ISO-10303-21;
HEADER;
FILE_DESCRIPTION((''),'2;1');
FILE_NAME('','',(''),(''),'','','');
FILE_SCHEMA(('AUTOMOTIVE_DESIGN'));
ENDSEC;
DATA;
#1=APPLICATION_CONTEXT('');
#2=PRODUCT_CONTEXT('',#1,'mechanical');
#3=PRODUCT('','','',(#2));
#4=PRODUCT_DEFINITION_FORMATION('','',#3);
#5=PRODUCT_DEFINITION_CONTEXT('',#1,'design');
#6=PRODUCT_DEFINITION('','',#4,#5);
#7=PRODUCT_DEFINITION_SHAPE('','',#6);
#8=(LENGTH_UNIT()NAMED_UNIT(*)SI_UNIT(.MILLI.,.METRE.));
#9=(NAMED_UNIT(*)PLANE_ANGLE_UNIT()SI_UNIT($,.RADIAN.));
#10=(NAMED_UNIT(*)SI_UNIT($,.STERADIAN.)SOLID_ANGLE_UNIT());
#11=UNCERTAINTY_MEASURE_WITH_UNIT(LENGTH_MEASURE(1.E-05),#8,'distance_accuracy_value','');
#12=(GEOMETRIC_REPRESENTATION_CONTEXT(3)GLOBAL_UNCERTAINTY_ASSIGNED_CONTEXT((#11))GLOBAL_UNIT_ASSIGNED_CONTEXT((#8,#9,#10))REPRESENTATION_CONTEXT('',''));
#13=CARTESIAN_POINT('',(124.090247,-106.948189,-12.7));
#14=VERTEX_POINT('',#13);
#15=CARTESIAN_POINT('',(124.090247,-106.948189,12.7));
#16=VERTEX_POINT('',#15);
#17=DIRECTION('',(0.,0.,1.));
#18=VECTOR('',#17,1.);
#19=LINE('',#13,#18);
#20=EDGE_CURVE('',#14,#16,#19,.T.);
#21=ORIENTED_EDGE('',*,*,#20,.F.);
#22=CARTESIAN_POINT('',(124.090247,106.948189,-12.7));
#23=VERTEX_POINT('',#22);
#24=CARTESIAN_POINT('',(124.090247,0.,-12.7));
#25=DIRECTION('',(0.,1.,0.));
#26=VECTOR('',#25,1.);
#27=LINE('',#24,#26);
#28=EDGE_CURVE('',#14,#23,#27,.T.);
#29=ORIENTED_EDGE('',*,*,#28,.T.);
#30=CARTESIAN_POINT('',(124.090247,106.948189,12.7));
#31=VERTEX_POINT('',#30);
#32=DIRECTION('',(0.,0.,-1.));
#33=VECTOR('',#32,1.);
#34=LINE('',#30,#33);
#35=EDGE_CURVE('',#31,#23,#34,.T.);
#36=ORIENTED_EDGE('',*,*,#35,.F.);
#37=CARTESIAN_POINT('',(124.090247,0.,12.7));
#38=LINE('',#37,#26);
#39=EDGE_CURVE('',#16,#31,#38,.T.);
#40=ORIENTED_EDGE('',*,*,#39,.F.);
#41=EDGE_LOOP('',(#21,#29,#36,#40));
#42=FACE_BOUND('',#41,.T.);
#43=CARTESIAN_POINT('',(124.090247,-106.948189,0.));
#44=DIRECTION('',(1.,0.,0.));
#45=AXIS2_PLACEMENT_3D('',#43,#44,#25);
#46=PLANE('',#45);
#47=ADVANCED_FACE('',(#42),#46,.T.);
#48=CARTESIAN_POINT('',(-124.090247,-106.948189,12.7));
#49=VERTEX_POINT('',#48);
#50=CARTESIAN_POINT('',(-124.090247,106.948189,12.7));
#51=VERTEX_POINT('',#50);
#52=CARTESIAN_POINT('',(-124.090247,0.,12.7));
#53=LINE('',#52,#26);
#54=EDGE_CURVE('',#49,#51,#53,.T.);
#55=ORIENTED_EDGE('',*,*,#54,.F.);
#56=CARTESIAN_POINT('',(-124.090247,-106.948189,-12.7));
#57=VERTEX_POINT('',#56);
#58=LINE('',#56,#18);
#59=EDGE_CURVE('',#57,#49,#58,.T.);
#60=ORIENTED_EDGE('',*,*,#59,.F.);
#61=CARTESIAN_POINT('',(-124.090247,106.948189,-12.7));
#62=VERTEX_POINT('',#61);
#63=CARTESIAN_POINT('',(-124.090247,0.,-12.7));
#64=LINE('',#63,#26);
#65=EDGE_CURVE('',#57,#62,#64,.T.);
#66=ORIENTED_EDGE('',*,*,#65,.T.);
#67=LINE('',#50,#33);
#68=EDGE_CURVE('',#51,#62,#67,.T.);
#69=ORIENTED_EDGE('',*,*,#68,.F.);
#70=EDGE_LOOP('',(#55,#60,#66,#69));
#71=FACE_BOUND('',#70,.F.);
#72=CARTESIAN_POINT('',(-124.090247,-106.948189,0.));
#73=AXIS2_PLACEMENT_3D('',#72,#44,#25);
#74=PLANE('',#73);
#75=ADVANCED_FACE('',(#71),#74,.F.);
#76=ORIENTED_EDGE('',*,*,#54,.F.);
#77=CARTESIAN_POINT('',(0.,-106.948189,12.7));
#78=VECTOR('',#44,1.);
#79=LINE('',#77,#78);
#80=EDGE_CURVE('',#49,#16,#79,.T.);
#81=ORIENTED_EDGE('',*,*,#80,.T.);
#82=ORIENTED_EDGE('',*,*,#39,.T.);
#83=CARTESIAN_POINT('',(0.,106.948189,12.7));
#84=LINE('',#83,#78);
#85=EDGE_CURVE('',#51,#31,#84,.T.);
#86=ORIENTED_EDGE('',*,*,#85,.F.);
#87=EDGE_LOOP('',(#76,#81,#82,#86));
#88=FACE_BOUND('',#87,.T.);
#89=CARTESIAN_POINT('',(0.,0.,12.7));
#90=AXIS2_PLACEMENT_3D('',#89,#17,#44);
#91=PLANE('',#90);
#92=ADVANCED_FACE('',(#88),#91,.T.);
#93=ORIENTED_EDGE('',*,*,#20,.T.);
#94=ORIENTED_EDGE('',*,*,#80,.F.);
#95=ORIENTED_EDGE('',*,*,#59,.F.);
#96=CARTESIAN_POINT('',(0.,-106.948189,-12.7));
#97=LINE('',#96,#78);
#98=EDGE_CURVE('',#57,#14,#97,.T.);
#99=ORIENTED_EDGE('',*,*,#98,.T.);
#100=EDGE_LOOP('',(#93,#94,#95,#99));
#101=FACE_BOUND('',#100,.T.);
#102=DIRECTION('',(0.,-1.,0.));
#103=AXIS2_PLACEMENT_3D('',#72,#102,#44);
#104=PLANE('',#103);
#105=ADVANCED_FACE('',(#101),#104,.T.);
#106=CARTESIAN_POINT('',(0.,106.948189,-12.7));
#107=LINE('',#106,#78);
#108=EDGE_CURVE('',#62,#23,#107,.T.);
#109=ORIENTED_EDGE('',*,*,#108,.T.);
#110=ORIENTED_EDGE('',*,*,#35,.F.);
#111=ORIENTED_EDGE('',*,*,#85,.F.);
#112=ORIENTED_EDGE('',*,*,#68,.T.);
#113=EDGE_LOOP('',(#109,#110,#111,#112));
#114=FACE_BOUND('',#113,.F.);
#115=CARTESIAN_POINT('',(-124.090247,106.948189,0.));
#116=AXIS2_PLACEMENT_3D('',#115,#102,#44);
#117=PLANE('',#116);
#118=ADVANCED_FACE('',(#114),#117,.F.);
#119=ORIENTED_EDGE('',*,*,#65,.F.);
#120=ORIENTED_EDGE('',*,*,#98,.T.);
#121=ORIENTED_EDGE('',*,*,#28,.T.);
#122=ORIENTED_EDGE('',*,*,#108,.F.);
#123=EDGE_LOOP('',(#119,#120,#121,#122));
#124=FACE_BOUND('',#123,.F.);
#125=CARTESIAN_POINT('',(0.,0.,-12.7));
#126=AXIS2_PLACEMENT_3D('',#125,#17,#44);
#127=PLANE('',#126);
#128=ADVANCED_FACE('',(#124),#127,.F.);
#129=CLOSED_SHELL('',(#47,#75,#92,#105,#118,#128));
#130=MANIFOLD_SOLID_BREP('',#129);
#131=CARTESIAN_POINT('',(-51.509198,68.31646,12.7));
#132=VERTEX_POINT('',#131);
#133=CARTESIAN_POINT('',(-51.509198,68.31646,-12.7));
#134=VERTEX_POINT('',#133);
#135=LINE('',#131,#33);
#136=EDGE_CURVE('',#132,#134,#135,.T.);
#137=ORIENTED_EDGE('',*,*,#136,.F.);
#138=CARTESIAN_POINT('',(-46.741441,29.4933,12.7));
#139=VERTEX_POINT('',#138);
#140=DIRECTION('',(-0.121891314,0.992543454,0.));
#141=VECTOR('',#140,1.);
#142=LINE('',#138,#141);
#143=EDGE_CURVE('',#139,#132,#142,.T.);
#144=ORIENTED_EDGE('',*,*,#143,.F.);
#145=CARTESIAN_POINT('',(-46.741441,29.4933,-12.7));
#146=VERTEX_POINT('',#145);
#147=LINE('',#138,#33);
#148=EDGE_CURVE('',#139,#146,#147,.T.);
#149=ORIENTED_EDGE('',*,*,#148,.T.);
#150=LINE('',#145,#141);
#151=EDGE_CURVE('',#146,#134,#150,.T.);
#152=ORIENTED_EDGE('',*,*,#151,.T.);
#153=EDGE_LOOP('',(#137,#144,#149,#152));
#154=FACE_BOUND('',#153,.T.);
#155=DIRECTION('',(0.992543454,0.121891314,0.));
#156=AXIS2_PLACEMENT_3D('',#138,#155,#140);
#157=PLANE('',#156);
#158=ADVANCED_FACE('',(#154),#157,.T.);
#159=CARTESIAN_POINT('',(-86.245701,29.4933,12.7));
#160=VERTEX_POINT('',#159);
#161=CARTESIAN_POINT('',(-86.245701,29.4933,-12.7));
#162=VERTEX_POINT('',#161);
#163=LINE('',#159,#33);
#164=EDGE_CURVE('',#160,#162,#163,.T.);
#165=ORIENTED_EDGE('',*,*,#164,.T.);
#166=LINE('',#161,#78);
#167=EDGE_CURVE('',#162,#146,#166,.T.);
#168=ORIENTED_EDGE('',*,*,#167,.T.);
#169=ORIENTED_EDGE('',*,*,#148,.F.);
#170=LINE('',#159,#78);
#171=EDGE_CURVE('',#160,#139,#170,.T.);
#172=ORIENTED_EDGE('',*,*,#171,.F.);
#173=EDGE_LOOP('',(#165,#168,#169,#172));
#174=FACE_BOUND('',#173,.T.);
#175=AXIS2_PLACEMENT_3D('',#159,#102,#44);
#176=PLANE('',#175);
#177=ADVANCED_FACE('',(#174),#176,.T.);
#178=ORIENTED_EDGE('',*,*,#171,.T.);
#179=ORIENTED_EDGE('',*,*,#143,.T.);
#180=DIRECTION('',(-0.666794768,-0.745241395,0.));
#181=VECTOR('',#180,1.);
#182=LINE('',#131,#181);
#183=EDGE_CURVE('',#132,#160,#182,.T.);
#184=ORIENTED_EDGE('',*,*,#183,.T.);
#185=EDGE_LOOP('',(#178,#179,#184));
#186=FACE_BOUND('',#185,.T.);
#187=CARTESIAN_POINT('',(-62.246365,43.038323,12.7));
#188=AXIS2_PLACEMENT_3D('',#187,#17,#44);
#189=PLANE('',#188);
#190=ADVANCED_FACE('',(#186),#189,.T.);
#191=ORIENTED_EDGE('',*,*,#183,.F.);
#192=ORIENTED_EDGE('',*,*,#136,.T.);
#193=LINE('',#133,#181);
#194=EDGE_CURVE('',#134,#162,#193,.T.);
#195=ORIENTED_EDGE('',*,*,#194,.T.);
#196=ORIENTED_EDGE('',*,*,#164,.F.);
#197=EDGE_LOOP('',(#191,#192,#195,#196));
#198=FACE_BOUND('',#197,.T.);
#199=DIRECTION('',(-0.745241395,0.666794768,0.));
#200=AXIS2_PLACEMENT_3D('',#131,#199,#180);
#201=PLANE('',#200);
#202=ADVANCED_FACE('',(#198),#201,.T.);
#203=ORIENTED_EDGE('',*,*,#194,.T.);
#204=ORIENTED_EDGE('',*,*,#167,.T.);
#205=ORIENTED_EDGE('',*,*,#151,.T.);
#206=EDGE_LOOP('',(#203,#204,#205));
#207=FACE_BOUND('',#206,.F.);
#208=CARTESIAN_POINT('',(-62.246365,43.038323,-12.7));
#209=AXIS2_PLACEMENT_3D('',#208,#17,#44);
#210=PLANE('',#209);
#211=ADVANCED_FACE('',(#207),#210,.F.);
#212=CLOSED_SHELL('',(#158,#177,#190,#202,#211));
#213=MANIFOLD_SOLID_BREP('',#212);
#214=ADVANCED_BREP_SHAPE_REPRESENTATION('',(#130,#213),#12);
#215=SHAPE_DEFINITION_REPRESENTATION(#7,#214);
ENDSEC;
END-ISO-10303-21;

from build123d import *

# Parameters (mm, degrees)
F0_W     = 248.180494
F0_H     = 213.896378
F1_DEPTH = 12.7
F3_DEPTH = 25.4


with BuildPart() as f1:
    # F0 (on Top) → F1 (new body, symmetric)
    with BuildSketch(Plane.XY):
        Rectangle(F0_W, F0_H)
    extrude(amount=F1_DEPTH, both=True)


with BuildPart() as f3:
    # F2 (on face) → F3 (new body)
    with BuildSketch(Plane.XY.offset(12.7)):
        Polygon((-46.741441, 29.4933), (-51.509198, 68.31646), (-86.245701, 29.4933), align=None)
    extrude(amount=-F3_DEPTH)


solid = Compound([f1.part, f3.part])
